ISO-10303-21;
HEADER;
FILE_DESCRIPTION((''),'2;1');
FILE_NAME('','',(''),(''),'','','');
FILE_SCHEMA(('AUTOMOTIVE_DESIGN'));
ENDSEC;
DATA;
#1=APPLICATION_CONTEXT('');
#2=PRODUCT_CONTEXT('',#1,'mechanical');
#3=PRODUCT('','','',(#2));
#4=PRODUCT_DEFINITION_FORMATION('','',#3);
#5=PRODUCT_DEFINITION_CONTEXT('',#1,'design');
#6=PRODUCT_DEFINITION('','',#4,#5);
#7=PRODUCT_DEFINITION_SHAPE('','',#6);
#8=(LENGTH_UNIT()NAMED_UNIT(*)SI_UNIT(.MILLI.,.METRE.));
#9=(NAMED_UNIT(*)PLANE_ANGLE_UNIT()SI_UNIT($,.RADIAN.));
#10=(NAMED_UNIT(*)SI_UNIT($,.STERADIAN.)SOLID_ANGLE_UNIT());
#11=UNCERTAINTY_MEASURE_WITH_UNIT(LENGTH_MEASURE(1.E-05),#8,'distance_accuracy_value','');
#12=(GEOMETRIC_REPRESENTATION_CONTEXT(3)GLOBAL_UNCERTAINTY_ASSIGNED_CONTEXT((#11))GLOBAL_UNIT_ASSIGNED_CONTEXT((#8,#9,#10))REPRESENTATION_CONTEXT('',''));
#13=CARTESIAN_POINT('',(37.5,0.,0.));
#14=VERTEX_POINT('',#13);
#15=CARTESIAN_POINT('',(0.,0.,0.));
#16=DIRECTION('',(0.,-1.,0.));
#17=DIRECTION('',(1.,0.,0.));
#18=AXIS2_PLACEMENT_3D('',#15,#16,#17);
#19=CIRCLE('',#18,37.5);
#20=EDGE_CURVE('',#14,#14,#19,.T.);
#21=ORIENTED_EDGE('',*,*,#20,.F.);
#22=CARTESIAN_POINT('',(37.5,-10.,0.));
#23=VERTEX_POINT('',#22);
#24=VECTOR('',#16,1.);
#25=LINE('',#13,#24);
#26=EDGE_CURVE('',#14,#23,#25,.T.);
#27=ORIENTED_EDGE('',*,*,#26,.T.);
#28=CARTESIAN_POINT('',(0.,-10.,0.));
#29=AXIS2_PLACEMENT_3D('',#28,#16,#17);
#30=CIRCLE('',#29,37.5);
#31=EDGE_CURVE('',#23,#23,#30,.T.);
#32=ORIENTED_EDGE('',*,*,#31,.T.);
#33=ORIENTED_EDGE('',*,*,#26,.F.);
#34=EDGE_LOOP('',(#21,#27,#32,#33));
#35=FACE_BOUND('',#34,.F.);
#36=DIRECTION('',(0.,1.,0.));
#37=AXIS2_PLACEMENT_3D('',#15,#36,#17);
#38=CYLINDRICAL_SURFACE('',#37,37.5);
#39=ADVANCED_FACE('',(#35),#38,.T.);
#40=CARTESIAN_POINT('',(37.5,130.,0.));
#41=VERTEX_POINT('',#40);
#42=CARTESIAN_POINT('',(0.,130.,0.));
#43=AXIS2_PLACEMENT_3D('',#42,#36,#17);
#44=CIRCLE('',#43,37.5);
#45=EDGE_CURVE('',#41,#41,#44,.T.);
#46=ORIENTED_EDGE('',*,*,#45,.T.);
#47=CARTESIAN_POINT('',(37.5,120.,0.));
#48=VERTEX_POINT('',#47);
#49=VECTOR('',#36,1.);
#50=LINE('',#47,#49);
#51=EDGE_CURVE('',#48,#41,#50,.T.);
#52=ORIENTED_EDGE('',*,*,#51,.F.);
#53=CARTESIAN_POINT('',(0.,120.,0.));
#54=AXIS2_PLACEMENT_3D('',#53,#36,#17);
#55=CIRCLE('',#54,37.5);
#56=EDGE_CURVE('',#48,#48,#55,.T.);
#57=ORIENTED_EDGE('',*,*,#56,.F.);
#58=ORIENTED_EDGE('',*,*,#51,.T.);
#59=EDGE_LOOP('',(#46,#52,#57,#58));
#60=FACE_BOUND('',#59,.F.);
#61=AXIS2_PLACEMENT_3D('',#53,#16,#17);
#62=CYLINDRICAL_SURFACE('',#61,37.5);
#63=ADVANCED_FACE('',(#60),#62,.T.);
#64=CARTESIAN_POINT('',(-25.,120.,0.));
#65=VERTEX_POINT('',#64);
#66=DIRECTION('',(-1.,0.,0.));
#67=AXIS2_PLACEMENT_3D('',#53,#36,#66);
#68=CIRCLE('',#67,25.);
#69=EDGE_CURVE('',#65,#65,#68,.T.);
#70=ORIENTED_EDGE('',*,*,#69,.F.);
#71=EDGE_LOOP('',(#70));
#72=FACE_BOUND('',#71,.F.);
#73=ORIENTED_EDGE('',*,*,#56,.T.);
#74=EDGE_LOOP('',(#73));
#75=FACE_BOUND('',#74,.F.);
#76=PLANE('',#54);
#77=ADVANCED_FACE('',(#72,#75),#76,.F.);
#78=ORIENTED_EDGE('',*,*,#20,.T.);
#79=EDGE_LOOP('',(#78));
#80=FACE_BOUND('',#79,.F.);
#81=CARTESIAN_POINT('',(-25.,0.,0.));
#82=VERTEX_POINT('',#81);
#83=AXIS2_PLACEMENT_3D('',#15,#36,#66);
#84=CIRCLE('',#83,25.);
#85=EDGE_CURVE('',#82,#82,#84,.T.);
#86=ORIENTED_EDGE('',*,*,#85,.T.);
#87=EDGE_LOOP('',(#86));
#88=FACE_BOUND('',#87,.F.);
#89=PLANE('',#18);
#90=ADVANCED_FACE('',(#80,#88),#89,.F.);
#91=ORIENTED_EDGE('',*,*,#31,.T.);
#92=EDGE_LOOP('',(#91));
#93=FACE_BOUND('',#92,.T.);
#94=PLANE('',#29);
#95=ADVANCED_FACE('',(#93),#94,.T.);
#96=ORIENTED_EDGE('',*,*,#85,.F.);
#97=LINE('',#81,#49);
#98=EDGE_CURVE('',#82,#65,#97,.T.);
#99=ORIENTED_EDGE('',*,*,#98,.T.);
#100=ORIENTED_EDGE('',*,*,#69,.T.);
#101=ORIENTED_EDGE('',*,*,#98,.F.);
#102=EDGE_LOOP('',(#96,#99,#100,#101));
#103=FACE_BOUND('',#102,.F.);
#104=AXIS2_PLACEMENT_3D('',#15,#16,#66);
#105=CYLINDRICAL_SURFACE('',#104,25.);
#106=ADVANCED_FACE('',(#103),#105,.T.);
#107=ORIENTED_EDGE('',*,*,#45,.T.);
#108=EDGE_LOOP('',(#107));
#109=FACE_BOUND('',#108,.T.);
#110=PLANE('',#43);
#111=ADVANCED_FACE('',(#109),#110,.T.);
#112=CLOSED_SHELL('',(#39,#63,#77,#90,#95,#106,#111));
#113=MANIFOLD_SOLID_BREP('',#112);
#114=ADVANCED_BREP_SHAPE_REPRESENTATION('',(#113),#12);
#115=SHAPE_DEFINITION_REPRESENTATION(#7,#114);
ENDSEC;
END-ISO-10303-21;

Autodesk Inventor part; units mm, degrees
ref_plane "YZ Plane" through (0, 0, 0) normal (1, 0, 0) x (0, 1, 0)
ref_plane "XZ Plane" through (0, 0, 0) normal (0, 1, 0) x (-1, 0, 0)
ref_plane "XY Plane" through (0, 0, 0) normal (0, 0, 1) x (1, 0, 0)
sketch "Sketch1" plane through (0, 0, 0) normal (0, 1, 0) x (-1, 0, 0)
  circle A0 centre (0, 0) radius 25
  dimension "d0" = 50
extrude "Extrusion1" add sketch "Sketch1" along normal blind 120
sketch "Sketch2" plane through (0, 120, 0) normal (0, 1, 0) x (1, 0, 0)
  circle A0 centre (0, 0) radius 37.5
  dimension "d3" = 75
extrude "Extrusion2" add sketch "Sketch2" along normal blind 10
sketch "Sketch3" plane through (0, 0, 0) normal (0, -1, 0) x (1, 0, 0)
  circle A0 centre (0, 0) radius 37.5
  dimension "d6" = 75
extrude "Extrusion3" add sketch "Sketch3" along normal blind 10
properties part number "joint1"
